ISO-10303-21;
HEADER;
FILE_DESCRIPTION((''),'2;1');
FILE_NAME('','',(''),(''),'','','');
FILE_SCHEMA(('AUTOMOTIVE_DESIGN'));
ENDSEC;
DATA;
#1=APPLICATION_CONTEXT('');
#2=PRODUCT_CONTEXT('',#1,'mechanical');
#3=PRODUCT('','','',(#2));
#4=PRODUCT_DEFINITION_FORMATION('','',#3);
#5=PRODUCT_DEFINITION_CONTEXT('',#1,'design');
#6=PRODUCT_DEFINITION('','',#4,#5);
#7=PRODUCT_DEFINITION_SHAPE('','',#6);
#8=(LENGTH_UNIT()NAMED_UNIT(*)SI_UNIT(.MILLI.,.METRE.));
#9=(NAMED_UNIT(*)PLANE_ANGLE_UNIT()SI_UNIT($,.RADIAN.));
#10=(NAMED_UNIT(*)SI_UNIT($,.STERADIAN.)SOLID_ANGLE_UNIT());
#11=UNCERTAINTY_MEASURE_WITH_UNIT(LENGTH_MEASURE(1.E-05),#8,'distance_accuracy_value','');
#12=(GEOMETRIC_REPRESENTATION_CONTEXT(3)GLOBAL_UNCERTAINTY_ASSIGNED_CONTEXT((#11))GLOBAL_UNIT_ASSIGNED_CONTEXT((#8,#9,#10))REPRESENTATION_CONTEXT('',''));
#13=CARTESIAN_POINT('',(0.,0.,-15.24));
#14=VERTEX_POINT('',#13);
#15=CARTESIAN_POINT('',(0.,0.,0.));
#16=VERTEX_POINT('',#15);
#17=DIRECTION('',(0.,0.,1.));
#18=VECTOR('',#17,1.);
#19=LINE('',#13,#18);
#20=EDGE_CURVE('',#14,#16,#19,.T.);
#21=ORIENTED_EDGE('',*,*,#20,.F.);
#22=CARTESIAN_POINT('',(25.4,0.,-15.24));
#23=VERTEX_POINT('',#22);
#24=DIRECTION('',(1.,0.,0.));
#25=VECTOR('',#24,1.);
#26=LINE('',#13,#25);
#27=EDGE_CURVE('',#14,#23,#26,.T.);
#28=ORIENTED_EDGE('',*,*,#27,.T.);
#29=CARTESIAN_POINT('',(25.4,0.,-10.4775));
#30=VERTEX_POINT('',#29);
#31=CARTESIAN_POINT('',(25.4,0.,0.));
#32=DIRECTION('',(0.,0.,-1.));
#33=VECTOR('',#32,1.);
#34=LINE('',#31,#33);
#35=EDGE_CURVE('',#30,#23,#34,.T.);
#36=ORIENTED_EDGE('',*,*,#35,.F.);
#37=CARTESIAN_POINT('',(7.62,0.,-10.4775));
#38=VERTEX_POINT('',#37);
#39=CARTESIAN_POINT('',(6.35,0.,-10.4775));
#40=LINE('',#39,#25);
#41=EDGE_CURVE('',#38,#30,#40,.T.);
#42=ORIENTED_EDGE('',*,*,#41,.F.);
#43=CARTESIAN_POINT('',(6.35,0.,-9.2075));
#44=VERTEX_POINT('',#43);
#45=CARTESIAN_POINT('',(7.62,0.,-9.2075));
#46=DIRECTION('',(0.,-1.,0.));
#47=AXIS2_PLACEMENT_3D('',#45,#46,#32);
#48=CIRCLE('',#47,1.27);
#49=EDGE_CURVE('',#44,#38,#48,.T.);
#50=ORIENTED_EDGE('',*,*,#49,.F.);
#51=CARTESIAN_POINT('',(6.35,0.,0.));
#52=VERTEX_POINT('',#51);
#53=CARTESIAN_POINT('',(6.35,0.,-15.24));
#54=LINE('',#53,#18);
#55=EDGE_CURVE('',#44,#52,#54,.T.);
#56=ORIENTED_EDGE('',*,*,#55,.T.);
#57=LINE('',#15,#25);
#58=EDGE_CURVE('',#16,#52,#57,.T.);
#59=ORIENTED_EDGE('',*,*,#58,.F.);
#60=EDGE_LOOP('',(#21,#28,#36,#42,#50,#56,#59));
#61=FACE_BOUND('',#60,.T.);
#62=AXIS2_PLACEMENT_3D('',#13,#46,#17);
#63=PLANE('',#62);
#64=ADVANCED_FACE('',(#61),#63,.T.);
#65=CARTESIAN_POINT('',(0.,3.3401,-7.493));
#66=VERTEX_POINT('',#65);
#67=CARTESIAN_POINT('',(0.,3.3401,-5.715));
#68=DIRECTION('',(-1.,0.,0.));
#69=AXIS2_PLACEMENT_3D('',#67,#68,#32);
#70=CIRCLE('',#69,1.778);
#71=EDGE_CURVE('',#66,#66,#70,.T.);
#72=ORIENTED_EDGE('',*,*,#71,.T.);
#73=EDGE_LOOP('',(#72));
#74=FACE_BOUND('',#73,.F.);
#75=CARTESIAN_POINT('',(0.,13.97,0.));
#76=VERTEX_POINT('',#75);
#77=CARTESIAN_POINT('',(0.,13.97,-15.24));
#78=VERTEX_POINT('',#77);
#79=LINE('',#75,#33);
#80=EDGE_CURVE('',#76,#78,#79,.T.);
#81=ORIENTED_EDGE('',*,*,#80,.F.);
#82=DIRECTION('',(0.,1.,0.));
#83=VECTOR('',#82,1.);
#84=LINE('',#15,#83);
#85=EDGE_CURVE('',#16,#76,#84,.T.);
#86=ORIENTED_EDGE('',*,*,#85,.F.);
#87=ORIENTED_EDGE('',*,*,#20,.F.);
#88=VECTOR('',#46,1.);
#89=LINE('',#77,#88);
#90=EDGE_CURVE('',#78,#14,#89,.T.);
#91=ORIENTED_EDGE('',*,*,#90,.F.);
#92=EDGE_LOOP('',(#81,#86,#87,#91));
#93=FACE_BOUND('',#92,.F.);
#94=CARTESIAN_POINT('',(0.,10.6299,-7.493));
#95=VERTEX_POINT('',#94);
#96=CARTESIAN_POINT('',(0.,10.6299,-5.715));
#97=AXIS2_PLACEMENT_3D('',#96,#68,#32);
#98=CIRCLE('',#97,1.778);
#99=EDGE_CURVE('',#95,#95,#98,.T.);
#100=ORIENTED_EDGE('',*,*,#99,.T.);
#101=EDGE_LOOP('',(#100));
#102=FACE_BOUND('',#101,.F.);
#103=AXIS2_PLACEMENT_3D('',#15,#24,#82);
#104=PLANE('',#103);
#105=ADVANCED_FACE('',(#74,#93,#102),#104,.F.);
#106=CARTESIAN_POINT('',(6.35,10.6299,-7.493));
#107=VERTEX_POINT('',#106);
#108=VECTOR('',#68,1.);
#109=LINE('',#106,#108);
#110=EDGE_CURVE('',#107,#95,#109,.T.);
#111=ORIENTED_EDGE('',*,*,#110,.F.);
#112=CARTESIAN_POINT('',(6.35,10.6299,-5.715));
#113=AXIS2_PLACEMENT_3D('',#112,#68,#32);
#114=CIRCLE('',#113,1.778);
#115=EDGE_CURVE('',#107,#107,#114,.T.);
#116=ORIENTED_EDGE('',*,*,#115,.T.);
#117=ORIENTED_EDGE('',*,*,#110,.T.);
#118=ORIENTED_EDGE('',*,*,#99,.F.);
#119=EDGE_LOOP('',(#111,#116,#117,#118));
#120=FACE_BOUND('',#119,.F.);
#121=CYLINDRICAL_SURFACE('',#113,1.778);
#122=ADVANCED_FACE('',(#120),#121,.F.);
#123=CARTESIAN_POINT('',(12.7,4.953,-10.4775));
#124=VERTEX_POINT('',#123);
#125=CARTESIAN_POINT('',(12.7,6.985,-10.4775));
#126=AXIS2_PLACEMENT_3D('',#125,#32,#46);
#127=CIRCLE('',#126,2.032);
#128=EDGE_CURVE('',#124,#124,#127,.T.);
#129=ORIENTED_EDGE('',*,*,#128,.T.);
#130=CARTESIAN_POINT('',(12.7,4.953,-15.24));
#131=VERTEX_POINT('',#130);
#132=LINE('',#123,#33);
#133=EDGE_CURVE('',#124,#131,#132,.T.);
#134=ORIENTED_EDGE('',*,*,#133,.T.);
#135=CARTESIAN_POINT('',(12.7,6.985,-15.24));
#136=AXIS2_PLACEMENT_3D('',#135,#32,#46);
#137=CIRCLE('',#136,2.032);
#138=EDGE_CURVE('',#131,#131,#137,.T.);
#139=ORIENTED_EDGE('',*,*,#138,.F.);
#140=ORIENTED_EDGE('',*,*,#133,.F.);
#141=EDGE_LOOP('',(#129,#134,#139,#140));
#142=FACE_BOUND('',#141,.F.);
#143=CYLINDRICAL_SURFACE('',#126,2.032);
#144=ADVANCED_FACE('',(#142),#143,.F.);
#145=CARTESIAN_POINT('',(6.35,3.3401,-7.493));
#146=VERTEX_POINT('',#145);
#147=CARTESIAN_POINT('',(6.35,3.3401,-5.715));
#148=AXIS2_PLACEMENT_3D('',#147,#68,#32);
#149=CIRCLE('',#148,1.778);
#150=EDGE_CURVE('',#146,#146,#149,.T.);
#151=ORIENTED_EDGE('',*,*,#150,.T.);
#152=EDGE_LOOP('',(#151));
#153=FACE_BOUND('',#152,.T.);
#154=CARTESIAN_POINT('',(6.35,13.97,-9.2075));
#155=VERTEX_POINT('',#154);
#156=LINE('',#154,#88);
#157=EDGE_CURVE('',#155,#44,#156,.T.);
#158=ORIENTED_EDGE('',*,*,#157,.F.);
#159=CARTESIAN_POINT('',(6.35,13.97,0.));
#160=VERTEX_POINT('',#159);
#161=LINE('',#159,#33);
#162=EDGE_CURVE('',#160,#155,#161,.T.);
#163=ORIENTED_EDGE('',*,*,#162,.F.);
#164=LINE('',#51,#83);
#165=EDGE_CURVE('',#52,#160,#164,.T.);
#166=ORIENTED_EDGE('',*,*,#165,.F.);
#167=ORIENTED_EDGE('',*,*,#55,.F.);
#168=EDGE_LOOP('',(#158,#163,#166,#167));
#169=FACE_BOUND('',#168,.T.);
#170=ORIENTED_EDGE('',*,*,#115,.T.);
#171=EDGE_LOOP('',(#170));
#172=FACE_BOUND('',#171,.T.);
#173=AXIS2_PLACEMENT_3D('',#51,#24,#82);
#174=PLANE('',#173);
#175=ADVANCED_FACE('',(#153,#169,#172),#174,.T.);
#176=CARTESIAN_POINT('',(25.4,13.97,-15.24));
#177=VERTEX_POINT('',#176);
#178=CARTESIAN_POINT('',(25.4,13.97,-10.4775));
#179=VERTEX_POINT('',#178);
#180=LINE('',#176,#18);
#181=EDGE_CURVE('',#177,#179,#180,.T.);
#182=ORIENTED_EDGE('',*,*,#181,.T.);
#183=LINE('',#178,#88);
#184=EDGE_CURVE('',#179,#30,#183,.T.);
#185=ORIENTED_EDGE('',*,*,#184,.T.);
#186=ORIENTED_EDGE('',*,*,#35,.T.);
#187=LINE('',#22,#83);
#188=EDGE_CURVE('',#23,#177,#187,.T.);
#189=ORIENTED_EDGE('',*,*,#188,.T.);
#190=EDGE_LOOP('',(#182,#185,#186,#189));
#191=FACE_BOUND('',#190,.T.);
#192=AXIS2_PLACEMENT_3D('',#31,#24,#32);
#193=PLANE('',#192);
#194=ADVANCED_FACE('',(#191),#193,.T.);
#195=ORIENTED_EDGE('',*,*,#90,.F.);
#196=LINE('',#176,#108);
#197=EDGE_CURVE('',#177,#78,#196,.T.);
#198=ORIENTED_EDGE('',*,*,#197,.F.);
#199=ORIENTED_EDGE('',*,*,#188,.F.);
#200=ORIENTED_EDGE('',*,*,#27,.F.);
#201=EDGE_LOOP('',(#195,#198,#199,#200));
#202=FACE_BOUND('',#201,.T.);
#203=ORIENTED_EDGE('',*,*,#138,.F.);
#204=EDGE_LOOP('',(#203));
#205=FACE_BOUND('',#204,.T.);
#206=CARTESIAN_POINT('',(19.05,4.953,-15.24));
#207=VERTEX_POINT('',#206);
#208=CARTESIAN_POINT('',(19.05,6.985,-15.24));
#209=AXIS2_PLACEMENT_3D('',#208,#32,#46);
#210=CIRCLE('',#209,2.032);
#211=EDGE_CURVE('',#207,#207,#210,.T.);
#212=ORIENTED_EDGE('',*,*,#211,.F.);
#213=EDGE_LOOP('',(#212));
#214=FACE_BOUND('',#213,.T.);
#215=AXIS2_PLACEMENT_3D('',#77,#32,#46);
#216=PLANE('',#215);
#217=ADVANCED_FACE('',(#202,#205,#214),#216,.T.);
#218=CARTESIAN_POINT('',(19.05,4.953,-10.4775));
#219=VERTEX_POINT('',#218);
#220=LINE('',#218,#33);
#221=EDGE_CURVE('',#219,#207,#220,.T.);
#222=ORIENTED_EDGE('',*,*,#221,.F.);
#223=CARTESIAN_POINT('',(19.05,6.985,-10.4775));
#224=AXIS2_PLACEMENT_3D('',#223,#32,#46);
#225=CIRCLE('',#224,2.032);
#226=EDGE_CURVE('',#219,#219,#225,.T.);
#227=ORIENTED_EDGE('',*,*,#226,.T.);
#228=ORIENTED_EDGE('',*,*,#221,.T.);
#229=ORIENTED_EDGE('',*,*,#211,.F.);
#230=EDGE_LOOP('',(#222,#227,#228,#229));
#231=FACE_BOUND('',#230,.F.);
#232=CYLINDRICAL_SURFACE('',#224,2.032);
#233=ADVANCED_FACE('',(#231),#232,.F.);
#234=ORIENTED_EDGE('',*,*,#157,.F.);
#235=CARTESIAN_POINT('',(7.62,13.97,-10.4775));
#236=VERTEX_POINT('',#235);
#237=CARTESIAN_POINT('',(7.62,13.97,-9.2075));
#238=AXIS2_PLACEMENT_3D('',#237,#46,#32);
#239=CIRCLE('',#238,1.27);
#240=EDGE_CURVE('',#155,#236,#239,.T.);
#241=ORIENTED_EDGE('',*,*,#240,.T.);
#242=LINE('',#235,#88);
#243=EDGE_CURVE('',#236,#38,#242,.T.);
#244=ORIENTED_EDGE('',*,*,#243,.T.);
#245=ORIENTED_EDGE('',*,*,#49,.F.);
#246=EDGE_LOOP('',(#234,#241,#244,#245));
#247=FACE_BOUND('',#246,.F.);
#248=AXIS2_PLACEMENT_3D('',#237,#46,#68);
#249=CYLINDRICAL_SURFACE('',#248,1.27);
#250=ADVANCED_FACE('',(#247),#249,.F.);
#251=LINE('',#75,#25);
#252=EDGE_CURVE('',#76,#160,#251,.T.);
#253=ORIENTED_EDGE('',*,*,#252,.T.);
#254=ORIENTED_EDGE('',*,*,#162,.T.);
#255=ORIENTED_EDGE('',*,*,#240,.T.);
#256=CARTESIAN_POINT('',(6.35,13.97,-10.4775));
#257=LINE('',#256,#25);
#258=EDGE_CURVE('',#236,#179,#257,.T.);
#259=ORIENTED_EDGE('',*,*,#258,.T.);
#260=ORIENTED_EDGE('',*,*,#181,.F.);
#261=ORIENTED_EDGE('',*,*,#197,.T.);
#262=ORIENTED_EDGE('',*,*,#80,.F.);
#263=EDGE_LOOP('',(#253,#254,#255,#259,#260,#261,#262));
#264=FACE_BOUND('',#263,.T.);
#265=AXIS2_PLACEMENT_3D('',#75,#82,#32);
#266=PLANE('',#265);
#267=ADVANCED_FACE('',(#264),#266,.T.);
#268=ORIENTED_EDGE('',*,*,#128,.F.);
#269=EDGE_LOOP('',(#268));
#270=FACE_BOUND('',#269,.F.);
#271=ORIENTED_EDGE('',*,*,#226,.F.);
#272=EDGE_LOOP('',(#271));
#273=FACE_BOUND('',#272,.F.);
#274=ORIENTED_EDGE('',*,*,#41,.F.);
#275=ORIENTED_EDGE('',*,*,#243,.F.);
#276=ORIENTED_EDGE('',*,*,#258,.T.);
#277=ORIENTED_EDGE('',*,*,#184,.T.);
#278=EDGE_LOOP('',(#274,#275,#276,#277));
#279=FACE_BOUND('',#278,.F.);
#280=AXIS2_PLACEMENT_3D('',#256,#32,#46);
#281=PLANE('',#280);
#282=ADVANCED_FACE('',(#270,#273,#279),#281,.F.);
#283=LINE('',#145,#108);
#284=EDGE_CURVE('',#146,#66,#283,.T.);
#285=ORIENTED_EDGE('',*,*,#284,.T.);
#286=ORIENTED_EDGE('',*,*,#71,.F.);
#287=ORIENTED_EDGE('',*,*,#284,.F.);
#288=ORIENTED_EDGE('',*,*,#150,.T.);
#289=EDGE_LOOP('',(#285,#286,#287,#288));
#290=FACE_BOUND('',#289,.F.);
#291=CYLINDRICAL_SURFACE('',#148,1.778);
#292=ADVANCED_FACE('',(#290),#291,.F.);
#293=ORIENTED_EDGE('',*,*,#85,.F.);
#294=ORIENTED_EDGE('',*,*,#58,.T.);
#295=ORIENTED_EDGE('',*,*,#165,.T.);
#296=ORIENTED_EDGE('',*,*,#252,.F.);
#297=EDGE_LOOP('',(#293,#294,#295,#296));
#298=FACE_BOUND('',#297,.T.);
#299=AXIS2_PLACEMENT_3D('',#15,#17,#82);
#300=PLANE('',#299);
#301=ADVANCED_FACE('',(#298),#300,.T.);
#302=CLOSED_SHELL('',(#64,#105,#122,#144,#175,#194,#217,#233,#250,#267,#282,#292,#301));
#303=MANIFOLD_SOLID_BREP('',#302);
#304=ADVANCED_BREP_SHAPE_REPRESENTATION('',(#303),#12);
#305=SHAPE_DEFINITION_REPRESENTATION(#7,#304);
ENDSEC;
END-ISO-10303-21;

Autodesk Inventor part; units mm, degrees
ref_plane "YZ Plane" through (0, 0, 0) normal (1, 0, 0) x (0, 1, 0)
ref_plane "XZ Plane" through (0, 0, 0) normal (0, 1, 0) x (-1, 0, 0)
ref_plane "XY Plane" through (0, 0, 0) normal (0, 0, 1) x (1, 0, 0)
sketch "Sketch1" plane through (0, 0, 0) normal (1, 0, 0) x (0, 1, 0)
  line L0 (0, 0) -> (13.97, 0)
  line L1 (13.97, 0) -> (13.97, -15.24)
  line L2 (13.97, -15.24) -> (0, -15.24)
  line L3 (0, -15.24) -> (0, 0)
  dimension "d0" = 13.97
  dimension "d1" = 15.24
extrude "Extrusion1" add sketch "Sketch1" along normal blind 6.35
sketch "Sketch2" plane through (6.35, 0, 0) normal (1, 0, 0) x (0, 0, -1)
  line L0 (15.24, 0) -> (15.24, 13.97) projected
  line L1 (0, 0) -> (15.24, 0) projected
  line L2 (15.24, 13.97) -> (10.4775, 13.97)
  line L3 (10.4775, 13.97) -> (10.4775, 0)
  line L4 (10.4775, 0) -> (15.24, 0)
  line L5 (15.24, 0) -> (15.24, 13.97)
  dimension "d4" = 4.7625
extrude "Extrusion2" add sketch "Sketch2" along normal blind 19.05
sketch "Sketch3" plane through (6.35, 0, 0) normal (1, 0, 0) x (0, 0, -1)
  line L0 (15.24, 0) -> (0, 0) projected
  line L1 (0, 0) -> (5.715, 0)
  line L2 (5.715, 0) -> (5.715, 3.3401)
  line L3 (0, 13.97) -> (15.24, 13.97) projected
  line L4 (5.715, 13.97) -> (5.715, 10.6299)
  line L5 (0, 13.97) -> (0, 0) projected
  line L6 (15.24, 0) -> (15.24, 13.97) projected
  dimension "d28" = 9.525
  dimension "d29" = 9.525
  dimension "d30" = 7.2898
  dimension "d31" = 3.3401
  dimension "d32" = 13.97
hole "Hole1" at (6.35, 10.6299, -5.715) at (6.35, 3.3401, -5.715) direction (-1, 0, 0) diameter 3.556 depth 25.4 tip angle 118
fillet "Fillet1" radius 1.27 1 edges at (6.35, 6.985, -10.4775)
sketch "Sketch4" plane through (25.4, 0, -10.4775) normal (0, 0, 1) x (1, 0, 0)
  line L0 (-17.78, 0) -> (0, 0) projected
  line L1 (0, 0) -> (0, 6.985)
  line L2 (0, 13.97) -> (0, 0) projected
  line L3 (0, 6.985) -> (-6.35, 6.985)
  line L4 (-19.05, 13.97) -> (-19.05, 0) projected
  line L5 (-19.05, 6.985) -> (-12.7, 6.985)
  point P0 (-25.4, 0)
  dimension "d19" = 6.35
  dimension "d20" = 6.35
hole "Hole2" at (19.05, 6.985, -10.4775) at (12.7, 6.985, -10.4775) direction (0, 0, -1) diameter 4.064 depth 25.4 tip angle 118
equation "\"d29\" = d28"
equation "\"d31\" = -0.5 * d30 + 0.5 * d32"
properties part number "GlyphLiftHolder1"
